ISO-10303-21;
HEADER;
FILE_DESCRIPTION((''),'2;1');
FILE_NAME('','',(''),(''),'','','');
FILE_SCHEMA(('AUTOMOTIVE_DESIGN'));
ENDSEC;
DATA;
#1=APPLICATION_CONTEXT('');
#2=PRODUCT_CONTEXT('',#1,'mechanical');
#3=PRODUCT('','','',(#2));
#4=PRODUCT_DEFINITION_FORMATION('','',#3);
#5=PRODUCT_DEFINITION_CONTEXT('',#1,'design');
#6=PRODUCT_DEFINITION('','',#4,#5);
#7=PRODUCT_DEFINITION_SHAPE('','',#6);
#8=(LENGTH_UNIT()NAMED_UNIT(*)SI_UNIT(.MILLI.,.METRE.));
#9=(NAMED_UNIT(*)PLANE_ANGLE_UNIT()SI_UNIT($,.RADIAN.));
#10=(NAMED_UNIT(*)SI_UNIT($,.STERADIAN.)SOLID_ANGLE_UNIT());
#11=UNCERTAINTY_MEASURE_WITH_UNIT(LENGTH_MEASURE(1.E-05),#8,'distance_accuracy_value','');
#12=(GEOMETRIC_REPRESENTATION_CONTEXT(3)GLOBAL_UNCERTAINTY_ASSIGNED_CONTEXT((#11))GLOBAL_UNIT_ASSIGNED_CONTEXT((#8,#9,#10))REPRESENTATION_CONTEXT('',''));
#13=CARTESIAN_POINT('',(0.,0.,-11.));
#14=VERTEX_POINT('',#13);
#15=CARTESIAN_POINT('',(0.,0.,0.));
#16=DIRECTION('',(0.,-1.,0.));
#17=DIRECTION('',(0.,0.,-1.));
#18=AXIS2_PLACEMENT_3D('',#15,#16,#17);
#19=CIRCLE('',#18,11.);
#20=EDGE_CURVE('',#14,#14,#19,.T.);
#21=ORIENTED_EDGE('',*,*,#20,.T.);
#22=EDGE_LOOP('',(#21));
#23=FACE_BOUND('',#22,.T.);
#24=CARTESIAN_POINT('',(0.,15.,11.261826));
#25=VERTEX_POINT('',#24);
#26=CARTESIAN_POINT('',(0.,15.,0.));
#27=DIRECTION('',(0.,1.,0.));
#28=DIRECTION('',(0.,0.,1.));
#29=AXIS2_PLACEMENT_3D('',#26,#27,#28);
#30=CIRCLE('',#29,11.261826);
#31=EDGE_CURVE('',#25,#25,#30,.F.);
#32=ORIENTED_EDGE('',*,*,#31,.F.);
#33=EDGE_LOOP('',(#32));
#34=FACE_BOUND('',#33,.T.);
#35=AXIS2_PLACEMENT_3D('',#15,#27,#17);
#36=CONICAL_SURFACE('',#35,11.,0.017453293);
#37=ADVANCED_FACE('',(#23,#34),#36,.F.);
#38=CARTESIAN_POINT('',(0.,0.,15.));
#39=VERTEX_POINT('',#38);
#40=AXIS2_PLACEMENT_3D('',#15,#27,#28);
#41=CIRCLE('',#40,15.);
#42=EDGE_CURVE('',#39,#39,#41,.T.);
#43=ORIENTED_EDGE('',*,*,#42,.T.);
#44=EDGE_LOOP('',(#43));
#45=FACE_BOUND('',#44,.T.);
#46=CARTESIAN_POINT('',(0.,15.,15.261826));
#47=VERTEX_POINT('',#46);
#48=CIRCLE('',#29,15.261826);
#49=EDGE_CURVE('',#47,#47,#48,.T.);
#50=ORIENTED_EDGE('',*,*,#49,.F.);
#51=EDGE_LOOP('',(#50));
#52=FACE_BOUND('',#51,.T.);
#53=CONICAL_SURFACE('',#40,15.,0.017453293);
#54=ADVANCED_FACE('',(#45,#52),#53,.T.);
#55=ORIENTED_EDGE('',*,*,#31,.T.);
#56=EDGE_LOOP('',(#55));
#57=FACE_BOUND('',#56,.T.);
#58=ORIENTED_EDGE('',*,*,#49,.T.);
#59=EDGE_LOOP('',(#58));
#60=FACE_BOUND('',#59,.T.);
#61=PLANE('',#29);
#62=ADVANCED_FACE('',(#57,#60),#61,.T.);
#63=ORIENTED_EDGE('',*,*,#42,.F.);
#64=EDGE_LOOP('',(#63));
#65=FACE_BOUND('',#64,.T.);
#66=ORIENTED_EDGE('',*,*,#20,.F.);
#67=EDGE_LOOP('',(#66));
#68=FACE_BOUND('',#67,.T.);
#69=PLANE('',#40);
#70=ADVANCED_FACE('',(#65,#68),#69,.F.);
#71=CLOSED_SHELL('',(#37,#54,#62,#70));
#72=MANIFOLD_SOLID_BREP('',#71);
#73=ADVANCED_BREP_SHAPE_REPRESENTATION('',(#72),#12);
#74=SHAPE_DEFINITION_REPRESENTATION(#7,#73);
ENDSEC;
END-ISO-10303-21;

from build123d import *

# Parameters (mm, degrees)
SKETCH1_R           = 15
BOSS_EXTRUDE1_DEPTH = 15
BOSS_EXTRUDE1_TAPER = -1
SKETCH2_R           = 11
CUT_EXTRUDE1_DEPTH  = 15
CUT_EXTRUDE1_TAPER  = -1


with BuildPart() as part:
    # Sketch1 → Boss-Extrude1 (new body)
    with BuildSketch(Plane(origin=(0, 0, 0), x_dir=(1, 0, 0), z_dir=(0, 1, 0))):
        Circle(SKETCH1_R)
    extrude(amount=BOSS_EXTRUDE1_DEPTH, taper=BOSS_EXTRUDE1_TAPER)

    # Sketch2 → Cut-Extrude1 (cut)
    with BuildSketch(Plane.XZ):
        Circle(SKETCH2_R)
    extrude(amount=-CUT_EXTRUDE1_DEPTH, taper=CUT_EXTRUDE1_TAPER, mode=Mode.SUBTRACT)


solid = part.part
